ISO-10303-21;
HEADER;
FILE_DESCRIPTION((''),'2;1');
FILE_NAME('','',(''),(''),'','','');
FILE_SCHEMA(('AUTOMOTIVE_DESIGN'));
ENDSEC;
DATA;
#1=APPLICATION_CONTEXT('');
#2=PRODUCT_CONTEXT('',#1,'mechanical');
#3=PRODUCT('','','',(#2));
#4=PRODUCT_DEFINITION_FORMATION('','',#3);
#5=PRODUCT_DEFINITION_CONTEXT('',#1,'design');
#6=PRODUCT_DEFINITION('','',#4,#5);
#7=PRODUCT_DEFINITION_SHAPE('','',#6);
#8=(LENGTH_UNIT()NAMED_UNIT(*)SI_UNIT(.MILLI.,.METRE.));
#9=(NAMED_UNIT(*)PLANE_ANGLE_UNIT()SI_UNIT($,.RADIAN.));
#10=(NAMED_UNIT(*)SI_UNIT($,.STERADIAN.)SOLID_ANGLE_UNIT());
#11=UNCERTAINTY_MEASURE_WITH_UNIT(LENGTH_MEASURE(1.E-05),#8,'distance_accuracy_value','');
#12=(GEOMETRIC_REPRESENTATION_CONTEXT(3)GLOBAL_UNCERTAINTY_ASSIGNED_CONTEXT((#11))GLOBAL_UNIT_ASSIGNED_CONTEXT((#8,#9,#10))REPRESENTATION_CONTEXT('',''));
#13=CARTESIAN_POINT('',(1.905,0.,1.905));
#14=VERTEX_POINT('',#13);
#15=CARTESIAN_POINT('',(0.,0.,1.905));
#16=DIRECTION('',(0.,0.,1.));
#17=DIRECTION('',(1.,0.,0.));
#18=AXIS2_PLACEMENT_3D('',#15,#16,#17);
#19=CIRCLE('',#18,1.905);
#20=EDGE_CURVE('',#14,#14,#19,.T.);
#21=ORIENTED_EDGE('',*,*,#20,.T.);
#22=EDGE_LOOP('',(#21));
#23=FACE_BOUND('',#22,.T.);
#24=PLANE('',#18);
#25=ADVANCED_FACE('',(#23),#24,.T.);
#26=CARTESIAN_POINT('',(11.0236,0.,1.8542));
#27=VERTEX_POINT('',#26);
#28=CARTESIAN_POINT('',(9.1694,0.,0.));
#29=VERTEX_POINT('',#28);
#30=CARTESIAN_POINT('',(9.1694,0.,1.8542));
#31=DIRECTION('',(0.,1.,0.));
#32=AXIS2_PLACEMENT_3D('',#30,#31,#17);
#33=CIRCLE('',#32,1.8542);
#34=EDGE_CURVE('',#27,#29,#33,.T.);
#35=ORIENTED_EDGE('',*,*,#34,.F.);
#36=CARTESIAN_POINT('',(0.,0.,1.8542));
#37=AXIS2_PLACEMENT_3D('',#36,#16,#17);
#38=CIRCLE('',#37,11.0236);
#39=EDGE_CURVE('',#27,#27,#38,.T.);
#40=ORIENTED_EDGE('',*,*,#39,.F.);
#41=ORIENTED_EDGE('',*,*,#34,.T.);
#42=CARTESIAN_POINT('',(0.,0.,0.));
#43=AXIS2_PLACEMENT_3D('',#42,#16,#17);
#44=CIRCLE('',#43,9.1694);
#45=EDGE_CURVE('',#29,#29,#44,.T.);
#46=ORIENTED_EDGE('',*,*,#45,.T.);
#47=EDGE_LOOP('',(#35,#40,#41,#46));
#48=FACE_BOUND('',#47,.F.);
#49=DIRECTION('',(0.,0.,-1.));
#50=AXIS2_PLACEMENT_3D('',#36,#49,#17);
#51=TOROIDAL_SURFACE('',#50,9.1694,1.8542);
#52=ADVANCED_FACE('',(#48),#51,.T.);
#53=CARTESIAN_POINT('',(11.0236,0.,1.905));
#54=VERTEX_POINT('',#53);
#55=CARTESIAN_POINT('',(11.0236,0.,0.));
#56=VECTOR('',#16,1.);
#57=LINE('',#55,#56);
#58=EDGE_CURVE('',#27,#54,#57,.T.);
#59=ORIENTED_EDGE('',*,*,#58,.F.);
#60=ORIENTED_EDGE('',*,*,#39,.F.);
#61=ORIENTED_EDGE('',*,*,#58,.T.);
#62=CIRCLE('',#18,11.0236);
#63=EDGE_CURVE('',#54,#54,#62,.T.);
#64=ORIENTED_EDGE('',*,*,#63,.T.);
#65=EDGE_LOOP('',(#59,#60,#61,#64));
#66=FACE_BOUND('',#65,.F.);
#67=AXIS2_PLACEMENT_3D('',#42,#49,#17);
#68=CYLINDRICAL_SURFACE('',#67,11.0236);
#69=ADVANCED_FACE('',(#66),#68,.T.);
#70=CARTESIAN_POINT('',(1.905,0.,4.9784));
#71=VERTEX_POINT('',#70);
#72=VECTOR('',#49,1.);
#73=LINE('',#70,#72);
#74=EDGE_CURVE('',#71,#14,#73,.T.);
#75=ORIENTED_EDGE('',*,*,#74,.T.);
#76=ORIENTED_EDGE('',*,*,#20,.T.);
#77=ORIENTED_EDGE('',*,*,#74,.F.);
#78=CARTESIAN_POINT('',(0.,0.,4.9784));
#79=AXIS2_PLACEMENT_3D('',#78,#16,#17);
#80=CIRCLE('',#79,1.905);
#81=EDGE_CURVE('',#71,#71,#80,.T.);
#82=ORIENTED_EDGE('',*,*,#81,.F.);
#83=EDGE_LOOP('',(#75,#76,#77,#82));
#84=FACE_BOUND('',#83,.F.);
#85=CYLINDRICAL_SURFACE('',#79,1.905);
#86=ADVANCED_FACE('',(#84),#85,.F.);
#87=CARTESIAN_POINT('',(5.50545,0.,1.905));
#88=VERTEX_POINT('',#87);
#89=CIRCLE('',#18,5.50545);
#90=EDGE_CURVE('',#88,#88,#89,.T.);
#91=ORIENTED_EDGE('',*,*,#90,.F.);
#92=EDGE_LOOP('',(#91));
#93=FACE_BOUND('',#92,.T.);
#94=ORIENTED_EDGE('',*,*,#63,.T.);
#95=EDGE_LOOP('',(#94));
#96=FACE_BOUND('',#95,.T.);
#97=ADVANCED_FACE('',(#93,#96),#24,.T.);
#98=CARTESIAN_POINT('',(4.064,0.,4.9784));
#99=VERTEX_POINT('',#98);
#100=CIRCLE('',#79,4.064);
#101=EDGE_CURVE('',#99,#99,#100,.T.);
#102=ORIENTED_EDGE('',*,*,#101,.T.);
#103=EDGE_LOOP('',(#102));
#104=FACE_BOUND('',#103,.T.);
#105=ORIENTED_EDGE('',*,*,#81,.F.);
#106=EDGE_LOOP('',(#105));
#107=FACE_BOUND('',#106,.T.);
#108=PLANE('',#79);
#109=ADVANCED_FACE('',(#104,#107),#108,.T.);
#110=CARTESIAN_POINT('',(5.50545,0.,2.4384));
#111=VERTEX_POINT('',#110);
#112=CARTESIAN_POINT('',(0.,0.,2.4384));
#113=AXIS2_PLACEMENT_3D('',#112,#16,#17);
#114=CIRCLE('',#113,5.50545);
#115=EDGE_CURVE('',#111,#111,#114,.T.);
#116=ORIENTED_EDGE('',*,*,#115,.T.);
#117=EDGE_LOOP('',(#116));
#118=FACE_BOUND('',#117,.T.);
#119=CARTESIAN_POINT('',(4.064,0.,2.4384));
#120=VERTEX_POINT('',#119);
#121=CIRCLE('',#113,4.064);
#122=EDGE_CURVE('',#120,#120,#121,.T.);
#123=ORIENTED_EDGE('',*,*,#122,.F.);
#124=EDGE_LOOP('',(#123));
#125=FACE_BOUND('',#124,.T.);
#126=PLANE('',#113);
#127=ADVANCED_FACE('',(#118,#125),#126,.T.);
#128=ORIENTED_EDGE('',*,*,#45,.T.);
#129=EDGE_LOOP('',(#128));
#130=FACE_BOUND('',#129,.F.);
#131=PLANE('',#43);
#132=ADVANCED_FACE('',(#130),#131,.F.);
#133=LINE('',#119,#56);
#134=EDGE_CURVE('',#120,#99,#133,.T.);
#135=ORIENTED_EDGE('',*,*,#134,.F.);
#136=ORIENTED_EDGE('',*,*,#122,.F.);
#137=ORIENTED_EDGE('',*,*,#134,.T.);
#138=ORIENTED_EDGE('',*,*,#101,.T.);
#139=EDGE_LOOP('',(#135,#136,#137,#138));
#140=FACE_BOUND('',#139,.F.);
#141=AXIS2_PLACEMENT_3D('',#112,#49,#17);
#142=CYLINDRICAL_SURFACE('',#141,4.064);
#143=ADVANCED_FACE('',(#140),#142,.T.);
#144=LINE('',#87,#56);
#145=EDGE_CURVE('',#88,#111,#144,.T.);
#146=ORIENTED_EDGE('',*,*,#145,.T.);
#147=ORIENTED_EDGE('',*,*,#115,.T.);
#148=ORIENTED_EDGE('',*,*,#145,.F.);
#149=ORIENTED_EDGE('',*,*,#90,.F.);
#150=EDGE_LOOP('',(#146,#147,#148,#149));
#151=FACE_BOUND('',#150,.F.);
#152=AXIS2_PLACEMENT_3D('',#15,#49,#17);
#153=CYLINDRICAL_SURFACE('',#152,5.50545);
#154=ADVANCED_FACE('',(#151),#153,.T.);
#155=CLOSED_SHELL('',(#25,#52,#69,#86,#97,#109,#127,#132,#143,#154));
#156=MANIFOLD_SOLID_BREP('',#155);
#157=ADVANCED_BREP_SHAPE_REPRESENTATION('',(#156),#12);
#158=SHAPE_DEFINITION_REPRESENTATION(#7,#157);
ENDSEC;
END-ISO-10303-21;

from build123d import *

# Parameters (mm, degrees)
F0_R     = 11.0236
F1_DEPTH = 1.905
F2_R     = 5.50545
F3_DEPTH = 0.5334
F4_R     = 4.064
F5_DEPTH = 2.54
F6_R     = 1.905
F7_DEPTH = 3.0734
F8_R     = 1.8542


with BuildPart() as f1:
    # F0 (on Top) → F1 (new body)
    with BuildSketch(Plane.XY):
        Circle(F0_R)
    extrude(amount=F1_DEPTH)

    # F2 (on face) → F3 (join)
    with BuildSketch(Plane.XY.offset(1.905)):
        Circle(F2_R)
    extrude(amount=F3_DEPTH)

    # F4 (on face) → F5 (join)
    with BuildSketch(Plane.XY.offset(2.4384)):
        Circle(F4_R)
    extrude(amount=F5_DEPTH)

    # F6 (on face) → F7 (cut, through all)
    with BuildSketch(Plane.XY.offset(4.9784)):
        Circle(F6_R)
    extrude(amount=-F7_DEPTH, mode=Mode.SUBTRACT)

    # F8
    f8_edges = [f1.edges().sort_by_distance(p)[0] for p in [
        (-11.0236, 0, 0),
    ]]
    fillet(f8_edges, radius=F8_R)


solid = f1.part
